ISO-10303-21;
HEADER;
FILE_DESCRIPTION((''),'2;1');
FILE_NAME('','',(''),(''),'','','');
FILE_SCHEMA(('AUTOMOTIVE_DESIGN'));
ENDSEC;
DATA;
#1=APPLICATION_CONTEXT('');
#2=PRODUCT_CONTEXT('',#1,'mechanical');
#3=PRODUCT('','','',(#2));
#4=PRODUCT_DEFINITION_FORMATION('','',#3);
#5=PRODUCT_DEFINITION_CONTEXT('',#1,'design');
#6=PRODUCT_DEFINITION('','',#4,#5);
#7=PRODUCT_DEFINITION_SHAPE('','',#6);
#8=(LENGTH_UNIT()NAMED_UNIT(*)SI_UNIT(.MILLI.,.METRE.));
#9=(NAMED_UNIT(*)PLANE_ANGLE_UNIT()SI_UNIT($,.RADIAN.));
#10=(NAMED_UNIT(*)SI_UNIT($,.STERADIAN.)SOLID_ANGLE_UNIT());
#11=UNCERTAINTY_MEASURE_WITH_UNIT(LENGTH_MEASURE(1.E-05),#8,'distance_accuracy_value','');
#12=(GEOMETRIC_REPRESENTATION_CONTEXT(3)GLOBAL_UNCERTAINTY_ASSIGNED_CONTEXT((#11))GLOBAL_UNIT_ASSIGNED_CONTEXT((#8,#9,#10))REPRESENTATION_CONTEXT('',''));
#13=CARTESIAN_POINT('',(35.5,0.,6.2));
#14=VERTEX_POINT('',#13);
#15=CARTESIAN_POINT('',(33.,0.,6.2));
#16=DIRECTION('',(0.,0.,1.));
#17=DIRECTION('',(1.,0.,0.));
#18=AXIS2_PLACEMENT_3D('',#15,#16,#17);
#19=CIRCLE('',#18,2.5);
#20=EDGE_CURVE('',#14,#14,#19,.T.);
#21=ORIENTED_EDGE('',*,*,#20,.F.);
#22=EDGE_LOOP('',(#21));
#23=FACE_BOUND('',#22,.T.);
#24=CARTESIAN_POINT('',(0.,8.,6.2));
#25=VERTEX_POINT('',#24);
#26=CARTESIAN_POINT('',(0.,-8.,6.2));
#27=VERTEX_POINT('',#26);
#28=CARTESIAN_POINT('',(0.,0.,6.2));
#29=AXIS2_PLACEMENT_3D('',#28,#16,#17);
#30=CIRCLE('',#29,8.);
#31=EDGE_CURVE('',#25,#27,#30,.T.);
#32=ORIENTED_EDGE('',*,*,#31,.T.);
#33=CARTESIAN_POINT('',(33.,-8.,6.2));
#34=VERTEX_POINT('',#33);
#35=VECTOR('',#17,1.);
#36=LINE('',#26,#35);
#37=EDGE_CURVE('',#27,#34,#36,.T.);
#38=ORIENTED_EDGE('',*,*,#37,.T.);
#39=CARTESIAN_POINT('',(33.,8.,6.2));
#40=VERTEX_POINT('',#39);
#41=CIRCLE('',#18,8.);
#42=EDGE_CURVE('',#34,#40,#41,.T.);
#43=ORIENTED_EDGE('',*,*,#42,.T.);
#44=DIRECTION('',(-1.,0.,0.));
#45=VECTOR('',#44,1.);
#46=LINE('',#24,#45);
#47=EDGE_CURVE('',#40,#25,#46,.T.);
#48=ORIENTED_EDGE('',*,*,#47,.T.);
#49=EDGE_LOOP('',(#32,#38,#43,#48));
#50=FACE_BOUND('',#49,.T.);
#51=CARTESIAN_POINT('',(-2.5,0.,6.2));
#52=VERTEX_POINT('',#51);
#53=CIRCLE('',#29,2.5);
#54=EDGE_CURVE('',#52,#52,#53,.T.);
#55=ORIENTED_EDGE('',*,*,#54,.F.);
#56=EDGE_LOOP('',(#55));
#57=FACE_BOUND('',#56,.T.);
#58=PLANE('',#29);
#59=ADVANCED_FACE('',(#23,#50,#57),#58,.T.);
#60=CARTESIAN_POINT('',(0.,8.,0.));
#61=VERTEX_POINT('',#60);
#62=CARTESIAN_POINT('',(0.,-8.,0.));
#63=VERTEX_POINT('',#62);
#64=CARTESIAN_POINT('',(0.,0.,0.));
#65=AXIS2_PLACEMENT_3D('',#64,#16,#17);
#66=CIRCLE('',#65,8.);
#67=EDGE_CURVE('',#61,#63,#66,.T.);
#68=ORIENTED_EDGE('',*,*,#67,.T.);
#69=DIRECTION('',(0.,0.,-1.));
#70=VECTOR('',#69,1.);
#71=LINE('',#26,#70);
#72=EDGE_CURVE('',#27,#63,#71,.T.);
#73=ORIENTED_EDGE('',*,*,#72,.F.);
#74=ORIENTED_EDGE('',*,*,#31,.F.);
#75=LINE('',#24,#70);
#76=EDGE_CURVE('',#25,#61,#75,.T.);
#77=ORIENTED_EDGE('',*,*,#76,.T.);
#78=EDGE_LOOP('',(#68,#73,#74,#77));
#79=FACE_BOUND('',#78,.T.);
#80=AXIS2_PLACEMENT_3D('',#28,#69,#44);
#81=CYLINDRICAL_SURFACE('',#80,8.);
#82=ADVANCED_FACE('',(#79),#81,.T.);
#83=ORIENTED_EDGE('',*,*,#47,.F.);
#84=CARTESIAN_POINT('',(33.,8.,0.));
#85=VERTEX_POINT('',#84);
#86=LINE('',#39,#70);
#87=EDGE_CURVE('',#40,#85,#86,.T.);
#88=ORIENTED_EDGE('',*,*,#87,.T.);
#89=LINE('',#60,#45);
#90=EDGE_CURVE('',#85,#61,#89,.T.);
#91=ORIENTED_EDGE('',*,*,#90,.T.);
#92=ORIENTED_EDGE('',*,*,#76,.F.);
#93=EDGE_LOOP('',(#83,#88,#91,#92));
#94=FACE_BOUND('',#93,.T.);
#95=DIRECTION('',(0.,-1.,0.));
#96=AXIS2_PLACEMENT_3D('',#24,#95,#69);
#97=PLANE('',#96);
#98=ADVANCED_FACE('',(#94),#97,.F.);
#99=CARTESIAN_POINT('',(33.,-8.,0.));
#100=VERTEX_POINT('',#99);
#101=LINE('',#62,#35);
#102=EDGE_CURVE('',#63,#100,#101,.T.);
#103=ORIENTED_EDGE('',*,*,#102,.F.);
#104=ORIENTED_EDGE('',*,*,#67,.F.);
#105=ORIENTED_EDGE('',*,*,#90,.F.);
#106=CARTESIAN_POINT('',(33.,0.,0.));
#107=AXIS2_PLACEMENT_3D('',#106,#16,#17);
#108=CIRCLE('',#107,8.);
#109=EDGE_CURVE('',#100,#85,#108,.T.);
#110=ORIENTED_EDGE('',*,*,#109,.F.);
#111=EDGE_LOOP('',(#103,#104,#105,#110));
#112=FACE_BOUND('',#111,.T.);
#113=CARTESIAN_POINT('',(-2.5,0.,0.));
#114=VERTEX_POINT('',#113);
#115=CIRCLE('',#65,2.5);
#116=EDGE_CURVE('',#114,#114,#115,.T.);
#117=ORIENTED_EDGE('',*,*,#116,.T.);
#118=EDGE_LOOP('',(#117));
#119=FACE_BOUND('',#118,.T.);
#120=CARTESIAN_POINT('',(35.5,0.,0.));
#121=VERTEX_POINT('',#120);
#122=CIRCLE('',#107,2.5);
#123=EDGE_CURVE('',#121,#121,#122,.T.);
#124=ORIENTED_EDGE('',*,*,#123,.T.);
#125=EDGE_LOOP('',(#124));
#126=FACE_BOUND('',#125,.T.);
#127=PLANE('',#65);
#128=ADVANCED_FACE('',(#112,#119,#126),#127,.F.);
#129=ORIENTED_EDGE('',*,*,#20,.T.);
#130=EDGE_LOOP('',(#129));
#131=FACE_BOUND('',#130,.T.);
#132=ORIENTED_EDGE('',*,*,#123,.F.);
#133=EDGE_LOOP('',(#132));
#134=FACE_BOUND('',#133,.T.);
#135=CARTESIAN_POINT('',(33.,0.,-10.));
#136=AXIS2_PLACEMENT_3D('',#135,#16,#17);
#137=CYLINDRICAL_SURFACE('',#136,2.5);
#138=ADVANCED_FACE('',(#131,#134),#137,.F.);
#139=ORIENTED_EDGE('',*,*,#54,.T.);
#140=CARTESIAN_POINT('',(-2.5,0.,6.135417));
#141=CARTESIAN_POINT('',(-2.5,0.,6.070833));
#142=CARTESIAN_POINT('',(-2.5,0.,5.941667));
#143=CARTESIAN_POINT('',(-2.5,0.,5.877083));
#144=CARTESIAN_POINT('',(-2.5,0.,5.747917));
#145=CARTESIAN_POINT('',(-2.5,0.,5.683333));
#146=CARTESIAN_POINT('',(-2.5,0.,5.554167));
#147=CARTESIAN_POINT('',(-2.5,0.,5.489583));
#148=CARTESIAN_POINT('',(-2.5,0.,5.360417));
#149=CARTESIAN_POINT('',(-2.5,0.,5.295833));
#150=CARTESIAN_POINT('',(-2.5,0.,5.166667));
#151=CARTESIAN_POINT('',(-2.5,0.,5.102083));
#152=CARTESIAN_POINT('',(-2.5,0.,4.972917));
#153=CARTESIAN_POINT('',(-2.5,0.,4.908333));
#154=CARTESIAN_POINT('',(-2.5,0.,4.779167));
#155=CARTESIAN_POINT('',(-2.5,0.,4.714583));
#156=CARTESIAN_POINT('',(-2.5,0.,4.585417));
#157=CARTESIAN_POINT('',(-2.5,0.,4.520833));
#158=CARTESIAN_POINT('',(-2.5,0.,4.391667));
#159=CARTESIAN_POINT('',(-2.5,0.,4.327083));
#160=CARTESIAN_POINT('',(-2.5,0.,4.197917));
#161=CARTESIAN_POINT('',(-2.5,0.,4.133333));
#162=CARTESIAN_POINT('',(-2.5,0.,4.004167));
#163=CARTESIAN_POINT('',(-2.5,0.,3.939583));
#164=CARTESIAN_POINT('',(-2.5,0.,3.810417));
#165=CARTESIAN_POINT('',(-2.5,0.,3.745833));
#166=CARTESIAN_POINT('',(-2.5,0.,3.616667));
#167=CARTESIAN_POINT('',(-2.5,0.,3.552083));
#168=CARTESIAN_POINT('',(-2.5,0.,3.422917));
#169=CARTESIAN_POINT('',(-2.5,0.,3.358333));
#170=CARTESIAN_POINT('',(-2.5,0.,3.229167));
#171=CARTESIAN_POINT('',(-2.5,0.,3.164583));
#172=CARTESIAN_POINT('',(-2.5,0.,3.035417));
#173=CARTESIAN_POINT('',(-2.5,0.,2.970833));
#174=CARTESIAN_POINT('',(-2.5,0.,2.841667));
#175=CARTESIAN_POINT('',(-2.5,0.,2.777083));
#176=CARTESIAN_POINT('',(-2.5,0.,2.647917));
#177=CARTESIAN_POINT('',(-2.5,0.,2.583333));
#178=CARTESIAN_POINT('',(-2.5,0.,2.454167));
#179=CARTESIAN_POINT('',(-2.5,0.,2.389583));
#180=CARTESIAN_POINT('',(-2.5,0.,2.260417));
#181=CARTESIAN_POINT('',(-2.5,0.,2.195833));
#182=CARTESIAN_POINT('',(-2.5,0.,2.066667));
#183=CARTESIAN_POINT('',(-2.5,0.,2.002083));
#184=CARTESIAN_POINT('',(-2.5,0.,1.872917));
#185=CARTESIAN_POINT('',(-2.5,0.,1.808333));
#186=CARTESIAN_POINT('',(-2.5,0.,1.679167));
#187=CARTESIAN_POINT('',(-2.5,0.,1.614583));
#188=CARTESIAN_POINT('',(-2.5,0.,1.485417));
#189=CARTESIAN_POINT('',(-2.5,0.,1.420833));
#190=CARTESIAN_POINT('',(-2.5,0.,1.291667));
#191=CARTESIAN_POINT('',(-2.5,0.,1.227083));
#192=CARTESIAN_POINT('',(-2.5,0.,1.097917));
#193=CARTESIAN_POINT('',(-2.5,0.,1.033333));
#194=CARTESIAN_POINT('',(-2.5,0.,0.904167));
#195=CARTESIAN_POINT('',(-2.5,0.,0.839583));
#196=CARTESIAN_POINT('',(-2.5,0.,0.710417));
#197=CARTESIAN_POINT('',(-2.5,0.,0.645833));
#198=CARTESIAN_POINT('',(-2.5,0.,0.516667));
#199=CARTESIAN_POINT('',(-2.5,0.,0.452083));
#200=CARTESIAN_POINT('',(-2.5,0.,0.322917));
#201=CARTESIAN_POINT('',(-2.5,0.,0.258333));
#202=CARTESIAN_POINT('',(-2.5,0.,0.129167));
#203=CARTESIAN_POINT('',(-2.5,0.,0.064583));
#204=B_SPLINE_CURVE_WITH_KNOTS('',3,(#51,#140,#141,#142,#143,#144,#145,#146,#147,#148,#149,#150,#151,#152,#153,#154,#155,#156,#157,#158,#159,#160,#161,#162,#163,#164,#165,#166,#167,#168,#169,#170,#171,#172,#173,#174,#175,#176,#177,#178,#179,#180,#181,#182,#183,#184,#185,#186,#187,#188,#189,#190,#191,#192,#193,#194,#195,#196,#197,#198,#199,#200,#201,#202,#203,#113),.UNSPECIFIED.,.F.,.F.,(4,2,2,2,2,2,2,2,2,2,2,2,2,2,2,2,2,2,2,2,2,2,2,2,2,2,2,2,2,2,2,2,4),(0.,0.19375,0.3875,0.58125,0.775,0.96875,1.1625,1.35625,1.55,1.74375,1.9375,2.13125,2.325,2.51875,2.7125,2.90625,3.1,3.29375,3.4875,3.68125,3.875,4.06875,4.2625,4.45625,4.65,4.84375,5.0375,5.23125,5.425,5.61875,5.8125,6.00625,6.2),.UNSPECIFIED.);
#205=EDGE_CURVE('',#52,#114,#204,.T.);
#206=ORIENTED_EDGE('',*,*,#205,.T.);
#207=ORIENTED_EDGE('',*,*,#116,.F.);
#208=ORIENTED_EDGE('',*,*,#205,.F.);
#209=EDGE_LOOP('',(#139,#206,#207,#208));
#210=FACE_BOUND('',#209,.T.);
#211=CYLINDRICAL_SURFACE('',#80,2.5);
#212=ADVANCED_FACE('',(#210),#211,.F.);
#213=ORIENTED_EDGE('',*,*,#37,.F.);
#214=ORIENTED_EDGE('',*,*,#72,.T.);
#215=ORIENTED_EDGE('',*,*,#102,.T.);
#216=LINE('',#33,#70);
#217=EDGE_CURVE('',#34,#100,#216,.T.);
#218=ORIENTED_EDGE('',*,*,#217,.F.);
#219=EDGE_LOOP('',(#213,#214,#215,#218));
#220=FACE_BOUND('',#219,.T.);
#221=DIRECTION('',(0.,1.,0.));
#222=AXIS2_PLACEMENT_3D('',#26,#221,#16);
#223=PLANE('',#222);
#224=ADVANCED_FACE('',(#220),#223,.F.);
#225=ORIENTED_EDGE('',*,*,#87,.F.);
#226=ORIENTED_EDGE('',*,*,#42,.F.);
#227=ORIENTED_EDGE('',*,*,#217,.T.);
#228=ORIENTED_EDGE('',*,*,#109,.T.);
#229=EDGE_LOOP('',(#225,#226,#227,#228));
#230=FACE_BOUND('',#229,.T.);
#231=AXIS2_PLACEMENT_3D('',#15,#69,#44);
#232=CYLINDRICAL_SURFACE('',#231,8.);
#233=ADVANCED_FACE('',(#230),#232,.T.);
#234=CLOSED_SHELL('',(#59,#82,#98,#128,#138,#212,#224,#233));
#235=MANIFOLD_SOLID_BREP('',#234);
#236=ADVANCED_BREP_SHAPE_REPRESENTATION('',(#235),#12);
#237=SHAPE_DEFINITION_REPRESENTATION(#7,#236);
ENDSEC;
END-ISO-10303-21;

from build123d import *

# Parameters (mm, degrees)
SKETCH1_R           = 2.5
BOSS_EXTRUDE1_DEPTH = 6.2
SKETCH2_R           = 2.5
CUT_EXTRUDE1_DEPTH  = 16.2


with BuildPart() as part:
    # Sketch1 → Boss-Extrude1 (new body)
    with BuildSketch(Plane.XY):
        with BuildLine():
            Line((0, 8), (33, 8))
            ThreePointArc((33, 8), (41, 0), (33, -8))
            Line((33, -8), (0, -8))
            ThreePointArc((0, -8), (-8, 0), (0, 8))
        make_face()
        with Locations(Location((0, 0, 0), (0, 0, 180))):
            Circle(SKETCH1_R, mode=Mode.SUBTRACT)
    extrude(amount=BOSS_EXTRUDE1_DEPTH)

    # Sketch2 → Cut-Extrude1 (cut)
    with BuildSketch(Plane.XY.offset(6.2)):
        with Locations((33, 0)):
            Circle(SKETCH2_R)
    extrude(amount=-CUT_EXTRUDE1_DEPTH, mode=Mode.SUBTRACT)


solid = part.part
